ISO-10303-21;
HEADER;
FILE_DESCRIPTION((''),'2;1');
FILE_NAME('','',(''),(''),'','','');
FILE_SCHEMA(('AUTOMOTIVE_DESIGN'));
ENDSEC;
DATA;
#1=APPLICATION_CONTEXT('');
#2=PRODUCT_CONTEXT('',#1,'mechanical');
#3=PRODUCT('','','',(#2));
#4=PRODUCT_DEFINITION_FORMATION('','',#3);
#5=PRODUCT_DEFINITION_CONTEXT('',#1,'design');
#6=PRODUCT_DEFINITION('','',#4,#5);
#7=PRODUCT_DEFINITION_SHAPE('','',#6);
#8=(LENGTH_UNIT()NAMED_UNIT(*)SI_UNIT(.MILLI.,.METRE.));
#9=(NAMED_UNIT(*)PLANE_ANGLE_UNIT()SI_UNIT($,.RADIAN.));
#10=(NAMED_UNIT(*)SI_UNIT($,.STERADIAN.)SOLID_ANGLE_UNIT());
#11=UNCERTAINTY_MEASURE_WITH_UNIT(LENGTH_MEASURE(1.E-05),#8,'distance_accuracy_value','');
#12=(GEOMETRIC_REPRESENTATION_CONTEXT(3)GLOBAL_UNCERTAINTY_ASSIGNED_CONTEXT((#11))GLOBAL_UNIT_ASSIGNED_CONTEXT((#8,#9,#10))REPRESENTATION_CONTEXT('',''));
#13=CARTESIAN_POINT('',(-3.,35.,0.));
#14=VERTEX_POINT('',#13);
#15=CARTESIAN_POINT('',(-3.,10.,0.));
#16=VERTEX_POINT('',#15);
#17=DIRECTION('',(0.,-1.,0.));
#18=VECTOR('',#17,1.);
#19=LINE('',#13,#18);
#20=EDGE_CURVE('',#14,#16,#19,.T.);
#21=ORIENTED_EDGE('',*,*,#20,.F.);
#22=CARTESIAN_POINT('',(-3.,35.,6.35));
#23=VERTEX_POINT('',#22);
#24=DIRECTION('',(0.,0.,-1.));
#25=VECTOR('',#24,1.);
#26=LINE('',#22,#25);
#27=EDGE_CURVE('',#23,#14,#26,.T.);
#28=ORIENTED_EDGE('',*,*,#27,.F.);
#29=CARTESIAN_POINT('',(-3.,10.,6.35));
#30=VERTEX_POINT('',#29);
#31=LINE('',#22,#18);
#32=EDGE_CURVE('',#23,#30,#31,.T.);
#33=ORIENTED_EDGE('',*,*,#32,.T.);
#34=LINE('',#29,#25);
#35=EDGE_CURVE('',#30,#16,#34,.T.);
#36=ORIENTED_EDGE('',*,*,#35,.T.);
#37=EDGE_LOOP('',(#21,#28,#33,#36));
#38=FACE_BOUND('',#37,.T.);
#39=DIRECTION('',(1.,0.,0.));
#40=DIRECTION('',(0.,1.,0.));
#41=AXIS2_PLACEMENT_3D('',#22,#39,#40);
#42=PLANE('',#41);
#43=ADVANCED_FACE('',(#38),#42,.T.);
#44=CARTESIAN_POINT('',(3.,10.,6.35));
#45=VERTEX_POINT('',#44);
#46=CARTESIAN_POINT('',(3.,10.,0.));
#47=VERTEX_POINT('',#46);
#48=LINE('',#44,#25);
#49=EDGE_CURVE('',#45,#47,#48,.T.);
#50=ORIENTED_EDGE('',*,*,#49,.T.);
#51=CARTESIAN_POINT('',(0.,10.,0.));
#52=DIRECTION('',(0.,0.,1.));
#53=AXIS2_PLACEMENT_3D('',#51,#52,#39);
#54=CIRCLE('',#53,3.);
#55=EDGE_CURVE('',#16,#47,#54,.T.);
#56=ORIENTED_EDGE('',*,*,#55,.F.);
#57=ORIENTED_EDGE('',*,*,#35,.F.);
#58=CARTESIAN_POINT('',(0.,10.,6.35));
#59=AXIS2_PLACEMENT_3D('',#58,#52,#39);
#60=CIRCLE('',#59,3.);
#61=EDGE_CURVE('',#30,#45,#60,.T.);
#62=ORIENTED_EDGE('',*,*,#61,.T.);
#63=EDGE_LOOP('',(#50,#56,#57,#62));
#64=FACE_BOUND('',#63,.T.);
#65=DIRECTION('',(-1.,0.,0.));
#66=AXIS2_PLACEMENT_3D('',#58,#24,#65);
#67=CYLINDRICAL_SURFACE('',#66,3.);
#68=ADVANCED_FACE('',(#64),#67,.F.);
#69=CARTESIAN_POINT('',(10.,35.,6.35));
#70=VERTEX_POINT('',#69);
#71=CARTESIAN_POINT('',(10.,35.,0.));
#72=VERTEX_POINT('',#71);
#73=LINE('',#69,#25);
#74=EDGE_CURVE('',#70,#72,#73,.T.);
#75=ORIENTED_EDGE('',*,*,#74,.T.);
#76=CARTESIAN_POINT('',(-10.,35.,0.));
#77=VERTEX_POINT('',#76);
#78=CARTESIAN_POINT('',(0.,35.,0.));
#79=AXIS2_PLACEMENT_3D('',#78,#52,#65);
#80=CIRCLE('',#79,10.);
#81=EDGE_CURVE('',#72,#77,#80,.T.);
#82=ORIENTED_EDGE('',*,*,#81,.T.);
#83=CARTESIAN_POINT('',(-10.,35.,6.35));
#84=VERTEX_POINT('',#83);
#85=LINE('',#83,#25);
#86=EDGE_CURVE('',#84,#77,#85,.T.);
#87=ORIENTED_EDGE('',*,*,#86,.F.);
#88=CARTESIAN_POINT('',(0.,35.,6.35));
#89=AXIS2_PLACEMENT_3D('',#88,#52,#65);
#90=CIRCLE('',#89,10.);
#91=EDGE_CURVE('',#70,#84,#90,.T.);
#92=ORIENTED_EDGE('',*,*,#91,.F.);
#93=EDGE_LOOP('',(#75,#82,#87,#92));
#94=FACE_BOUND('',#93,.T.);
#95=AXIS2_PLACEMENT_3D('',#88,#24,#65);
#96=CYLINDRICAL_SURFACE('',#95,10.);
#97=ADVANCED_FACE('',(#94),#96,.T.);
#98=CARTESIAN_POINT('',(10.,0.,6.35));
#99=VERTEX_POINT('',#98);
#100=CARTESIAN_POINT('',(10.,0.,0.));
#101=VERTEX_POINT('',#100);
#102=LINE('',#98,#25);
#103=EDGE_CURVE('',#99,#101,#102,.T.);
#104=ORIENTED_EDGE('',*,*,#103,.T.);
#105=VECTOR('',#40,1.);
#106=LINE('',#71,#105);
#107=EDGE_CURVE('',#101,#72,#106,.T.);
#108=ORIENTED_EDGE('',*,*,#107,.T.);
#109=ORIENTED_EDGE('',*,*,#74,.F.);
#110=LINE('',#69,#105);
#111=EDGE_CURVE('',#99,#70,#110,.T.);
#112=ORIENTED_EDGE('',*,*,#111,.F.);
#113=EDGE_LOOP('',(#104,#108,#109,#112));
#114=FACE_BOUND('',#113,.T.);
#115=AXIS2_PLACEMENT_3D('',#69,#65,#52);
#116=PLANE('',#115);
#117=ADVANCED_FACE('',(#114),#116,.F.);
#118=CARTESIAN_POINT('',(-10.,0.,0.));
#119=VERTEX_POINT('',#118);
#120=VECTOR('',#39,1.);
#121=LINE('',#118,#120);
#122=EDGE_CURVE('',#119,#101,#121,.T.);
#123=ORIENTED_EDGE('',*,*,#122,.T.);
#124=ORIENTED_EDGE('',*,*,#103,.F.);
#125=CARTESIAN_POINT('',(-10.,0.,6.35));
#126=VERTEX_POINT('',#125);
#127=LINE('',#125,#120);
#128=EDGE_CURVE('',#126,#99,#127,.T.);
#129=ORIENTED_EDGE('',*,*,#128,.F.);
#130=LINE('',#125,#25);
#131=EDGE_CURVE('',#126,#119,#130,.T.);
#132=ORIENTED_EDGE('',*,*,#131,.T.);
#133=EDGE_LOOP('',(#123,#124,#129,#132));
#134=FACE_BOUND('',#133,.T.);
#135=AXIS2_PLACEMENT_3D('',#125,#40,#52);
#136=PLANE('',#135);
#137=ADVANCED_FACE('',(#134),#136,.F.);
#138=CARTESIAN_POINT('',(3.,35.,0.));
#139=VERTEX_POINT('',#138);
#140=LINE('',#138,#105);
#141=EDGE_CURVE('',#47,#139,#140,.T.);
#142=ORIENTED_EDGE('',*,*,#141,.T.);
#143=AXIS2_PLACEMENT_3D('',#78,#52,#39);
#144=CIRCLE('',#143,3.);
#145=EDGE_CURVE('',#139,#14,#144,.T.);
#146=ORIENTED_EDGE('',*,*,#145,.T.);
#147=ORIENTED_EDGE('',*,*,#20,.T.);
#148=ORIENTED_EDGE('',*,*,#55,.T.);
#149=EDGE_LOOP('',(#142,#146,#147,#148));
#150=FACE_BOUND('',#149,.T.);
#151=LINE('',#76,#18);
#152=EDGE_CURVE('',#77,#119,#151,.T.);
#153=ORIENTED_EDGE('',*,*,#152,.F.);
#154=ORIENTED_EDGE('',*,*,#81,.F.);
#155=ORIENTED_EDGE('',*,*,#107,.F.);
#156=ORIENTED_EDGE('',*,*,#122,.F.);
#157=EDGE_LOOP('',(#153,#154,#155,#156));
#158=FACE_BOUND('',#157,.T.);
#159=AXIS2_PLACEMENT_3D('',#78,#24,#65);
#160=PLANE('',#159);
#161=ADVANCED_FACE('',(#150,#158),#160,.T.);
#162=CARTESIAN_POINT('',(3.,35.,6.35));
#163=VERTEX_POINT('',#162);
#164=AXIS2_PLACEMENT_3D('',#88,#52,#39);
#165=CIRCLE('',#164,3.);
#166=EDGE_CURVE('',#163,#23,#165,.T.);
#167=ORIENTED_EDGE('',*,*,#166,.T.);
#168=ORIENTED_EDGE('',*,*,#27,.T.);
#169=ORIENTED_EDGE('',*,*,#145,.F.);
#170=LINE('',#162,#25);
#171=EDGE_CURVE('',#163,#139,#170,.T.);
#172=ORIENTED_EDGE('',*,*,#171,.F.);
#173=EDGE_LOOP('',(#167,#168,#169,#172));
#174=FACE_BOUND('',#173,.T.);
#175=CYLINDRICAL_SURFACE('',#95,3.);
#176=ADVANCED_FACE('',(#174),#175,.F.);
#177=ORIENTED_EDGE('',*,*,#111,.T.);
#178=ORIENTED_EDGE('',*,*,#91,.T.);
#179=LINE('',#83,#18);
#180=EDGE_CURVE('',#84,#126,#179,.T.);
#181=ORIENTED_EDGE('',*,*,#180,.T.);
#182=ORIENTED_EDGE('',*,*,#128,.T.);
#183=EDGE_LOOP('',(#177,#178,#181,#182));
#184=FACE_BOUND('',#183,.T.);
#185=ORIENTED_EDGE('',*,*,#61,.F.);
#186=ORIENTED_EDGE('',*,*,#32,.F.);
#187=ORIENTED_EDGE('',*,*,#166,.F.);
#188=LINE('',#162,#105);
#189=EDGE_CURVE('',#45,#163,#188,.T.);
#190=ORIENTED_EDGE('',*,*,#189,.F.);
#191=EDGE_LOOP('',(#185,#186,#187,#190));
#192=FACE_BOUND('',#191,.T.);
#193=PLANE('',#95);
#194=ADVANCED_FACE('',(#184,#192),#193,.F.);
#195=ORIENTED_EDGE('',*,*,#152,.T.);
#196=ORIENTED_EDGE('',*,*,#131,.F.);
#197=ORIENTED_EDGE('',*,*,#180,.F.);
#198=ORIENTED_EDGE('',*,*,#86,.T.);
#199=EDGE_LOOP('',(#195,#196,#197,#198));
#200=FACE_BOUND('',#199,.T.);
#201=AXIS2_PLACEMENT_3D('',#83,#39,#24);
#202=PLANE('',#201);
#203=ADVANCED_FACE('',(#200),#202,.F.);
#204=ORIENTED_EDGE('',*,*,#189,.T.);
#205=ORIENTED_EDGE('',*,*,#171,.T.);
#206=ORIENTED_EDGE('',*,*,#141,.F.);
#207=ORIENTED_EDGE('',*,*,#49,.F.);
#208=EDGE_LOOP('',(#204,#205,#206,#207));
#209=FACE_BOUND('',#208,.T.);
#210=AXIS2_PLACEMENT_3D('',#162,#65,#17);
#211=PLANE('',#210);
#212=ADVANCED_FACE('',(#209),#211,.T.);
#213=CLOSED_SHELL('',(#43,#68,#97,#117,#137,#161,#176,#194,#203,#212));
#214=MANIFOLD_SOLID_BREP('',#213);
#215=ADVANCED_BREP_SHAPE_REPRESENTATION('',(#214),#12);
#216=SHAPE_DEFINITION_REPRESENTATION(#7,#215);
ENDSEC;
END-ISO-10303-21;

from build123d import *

# Parameters (mm, degrees)
BOSS_EXTRUDE1_DEPTH = 6.35


with BuildPart() as part:
    # Sketch1 → Boss-Extrude1 (new body)
    with BuildSketch(Plane.XY):
        with BuildLine():
            Line((-10, 35), (-10, 0))
            Line((-10, 0), (10, 0))
            Line((10, 0), (10, 35))
            ThreePointArc((10, 35), (0, 45), (-10, 35))
        make_face()
        with BuildLine():
            Line((3, 35), (3, 10))
            ThreePointArc((3, 10), (0, 7), (-3, 10))
            Line((-3, 10), (-3, 35))
            ThreePointArc((-3, 35), (0, 38), (3, 35))
        make_face(mode=Mode.SUBTRACT)
    extrude(amount=BOSS_EXTRUDE1_DEPTH)


solid = part.part
